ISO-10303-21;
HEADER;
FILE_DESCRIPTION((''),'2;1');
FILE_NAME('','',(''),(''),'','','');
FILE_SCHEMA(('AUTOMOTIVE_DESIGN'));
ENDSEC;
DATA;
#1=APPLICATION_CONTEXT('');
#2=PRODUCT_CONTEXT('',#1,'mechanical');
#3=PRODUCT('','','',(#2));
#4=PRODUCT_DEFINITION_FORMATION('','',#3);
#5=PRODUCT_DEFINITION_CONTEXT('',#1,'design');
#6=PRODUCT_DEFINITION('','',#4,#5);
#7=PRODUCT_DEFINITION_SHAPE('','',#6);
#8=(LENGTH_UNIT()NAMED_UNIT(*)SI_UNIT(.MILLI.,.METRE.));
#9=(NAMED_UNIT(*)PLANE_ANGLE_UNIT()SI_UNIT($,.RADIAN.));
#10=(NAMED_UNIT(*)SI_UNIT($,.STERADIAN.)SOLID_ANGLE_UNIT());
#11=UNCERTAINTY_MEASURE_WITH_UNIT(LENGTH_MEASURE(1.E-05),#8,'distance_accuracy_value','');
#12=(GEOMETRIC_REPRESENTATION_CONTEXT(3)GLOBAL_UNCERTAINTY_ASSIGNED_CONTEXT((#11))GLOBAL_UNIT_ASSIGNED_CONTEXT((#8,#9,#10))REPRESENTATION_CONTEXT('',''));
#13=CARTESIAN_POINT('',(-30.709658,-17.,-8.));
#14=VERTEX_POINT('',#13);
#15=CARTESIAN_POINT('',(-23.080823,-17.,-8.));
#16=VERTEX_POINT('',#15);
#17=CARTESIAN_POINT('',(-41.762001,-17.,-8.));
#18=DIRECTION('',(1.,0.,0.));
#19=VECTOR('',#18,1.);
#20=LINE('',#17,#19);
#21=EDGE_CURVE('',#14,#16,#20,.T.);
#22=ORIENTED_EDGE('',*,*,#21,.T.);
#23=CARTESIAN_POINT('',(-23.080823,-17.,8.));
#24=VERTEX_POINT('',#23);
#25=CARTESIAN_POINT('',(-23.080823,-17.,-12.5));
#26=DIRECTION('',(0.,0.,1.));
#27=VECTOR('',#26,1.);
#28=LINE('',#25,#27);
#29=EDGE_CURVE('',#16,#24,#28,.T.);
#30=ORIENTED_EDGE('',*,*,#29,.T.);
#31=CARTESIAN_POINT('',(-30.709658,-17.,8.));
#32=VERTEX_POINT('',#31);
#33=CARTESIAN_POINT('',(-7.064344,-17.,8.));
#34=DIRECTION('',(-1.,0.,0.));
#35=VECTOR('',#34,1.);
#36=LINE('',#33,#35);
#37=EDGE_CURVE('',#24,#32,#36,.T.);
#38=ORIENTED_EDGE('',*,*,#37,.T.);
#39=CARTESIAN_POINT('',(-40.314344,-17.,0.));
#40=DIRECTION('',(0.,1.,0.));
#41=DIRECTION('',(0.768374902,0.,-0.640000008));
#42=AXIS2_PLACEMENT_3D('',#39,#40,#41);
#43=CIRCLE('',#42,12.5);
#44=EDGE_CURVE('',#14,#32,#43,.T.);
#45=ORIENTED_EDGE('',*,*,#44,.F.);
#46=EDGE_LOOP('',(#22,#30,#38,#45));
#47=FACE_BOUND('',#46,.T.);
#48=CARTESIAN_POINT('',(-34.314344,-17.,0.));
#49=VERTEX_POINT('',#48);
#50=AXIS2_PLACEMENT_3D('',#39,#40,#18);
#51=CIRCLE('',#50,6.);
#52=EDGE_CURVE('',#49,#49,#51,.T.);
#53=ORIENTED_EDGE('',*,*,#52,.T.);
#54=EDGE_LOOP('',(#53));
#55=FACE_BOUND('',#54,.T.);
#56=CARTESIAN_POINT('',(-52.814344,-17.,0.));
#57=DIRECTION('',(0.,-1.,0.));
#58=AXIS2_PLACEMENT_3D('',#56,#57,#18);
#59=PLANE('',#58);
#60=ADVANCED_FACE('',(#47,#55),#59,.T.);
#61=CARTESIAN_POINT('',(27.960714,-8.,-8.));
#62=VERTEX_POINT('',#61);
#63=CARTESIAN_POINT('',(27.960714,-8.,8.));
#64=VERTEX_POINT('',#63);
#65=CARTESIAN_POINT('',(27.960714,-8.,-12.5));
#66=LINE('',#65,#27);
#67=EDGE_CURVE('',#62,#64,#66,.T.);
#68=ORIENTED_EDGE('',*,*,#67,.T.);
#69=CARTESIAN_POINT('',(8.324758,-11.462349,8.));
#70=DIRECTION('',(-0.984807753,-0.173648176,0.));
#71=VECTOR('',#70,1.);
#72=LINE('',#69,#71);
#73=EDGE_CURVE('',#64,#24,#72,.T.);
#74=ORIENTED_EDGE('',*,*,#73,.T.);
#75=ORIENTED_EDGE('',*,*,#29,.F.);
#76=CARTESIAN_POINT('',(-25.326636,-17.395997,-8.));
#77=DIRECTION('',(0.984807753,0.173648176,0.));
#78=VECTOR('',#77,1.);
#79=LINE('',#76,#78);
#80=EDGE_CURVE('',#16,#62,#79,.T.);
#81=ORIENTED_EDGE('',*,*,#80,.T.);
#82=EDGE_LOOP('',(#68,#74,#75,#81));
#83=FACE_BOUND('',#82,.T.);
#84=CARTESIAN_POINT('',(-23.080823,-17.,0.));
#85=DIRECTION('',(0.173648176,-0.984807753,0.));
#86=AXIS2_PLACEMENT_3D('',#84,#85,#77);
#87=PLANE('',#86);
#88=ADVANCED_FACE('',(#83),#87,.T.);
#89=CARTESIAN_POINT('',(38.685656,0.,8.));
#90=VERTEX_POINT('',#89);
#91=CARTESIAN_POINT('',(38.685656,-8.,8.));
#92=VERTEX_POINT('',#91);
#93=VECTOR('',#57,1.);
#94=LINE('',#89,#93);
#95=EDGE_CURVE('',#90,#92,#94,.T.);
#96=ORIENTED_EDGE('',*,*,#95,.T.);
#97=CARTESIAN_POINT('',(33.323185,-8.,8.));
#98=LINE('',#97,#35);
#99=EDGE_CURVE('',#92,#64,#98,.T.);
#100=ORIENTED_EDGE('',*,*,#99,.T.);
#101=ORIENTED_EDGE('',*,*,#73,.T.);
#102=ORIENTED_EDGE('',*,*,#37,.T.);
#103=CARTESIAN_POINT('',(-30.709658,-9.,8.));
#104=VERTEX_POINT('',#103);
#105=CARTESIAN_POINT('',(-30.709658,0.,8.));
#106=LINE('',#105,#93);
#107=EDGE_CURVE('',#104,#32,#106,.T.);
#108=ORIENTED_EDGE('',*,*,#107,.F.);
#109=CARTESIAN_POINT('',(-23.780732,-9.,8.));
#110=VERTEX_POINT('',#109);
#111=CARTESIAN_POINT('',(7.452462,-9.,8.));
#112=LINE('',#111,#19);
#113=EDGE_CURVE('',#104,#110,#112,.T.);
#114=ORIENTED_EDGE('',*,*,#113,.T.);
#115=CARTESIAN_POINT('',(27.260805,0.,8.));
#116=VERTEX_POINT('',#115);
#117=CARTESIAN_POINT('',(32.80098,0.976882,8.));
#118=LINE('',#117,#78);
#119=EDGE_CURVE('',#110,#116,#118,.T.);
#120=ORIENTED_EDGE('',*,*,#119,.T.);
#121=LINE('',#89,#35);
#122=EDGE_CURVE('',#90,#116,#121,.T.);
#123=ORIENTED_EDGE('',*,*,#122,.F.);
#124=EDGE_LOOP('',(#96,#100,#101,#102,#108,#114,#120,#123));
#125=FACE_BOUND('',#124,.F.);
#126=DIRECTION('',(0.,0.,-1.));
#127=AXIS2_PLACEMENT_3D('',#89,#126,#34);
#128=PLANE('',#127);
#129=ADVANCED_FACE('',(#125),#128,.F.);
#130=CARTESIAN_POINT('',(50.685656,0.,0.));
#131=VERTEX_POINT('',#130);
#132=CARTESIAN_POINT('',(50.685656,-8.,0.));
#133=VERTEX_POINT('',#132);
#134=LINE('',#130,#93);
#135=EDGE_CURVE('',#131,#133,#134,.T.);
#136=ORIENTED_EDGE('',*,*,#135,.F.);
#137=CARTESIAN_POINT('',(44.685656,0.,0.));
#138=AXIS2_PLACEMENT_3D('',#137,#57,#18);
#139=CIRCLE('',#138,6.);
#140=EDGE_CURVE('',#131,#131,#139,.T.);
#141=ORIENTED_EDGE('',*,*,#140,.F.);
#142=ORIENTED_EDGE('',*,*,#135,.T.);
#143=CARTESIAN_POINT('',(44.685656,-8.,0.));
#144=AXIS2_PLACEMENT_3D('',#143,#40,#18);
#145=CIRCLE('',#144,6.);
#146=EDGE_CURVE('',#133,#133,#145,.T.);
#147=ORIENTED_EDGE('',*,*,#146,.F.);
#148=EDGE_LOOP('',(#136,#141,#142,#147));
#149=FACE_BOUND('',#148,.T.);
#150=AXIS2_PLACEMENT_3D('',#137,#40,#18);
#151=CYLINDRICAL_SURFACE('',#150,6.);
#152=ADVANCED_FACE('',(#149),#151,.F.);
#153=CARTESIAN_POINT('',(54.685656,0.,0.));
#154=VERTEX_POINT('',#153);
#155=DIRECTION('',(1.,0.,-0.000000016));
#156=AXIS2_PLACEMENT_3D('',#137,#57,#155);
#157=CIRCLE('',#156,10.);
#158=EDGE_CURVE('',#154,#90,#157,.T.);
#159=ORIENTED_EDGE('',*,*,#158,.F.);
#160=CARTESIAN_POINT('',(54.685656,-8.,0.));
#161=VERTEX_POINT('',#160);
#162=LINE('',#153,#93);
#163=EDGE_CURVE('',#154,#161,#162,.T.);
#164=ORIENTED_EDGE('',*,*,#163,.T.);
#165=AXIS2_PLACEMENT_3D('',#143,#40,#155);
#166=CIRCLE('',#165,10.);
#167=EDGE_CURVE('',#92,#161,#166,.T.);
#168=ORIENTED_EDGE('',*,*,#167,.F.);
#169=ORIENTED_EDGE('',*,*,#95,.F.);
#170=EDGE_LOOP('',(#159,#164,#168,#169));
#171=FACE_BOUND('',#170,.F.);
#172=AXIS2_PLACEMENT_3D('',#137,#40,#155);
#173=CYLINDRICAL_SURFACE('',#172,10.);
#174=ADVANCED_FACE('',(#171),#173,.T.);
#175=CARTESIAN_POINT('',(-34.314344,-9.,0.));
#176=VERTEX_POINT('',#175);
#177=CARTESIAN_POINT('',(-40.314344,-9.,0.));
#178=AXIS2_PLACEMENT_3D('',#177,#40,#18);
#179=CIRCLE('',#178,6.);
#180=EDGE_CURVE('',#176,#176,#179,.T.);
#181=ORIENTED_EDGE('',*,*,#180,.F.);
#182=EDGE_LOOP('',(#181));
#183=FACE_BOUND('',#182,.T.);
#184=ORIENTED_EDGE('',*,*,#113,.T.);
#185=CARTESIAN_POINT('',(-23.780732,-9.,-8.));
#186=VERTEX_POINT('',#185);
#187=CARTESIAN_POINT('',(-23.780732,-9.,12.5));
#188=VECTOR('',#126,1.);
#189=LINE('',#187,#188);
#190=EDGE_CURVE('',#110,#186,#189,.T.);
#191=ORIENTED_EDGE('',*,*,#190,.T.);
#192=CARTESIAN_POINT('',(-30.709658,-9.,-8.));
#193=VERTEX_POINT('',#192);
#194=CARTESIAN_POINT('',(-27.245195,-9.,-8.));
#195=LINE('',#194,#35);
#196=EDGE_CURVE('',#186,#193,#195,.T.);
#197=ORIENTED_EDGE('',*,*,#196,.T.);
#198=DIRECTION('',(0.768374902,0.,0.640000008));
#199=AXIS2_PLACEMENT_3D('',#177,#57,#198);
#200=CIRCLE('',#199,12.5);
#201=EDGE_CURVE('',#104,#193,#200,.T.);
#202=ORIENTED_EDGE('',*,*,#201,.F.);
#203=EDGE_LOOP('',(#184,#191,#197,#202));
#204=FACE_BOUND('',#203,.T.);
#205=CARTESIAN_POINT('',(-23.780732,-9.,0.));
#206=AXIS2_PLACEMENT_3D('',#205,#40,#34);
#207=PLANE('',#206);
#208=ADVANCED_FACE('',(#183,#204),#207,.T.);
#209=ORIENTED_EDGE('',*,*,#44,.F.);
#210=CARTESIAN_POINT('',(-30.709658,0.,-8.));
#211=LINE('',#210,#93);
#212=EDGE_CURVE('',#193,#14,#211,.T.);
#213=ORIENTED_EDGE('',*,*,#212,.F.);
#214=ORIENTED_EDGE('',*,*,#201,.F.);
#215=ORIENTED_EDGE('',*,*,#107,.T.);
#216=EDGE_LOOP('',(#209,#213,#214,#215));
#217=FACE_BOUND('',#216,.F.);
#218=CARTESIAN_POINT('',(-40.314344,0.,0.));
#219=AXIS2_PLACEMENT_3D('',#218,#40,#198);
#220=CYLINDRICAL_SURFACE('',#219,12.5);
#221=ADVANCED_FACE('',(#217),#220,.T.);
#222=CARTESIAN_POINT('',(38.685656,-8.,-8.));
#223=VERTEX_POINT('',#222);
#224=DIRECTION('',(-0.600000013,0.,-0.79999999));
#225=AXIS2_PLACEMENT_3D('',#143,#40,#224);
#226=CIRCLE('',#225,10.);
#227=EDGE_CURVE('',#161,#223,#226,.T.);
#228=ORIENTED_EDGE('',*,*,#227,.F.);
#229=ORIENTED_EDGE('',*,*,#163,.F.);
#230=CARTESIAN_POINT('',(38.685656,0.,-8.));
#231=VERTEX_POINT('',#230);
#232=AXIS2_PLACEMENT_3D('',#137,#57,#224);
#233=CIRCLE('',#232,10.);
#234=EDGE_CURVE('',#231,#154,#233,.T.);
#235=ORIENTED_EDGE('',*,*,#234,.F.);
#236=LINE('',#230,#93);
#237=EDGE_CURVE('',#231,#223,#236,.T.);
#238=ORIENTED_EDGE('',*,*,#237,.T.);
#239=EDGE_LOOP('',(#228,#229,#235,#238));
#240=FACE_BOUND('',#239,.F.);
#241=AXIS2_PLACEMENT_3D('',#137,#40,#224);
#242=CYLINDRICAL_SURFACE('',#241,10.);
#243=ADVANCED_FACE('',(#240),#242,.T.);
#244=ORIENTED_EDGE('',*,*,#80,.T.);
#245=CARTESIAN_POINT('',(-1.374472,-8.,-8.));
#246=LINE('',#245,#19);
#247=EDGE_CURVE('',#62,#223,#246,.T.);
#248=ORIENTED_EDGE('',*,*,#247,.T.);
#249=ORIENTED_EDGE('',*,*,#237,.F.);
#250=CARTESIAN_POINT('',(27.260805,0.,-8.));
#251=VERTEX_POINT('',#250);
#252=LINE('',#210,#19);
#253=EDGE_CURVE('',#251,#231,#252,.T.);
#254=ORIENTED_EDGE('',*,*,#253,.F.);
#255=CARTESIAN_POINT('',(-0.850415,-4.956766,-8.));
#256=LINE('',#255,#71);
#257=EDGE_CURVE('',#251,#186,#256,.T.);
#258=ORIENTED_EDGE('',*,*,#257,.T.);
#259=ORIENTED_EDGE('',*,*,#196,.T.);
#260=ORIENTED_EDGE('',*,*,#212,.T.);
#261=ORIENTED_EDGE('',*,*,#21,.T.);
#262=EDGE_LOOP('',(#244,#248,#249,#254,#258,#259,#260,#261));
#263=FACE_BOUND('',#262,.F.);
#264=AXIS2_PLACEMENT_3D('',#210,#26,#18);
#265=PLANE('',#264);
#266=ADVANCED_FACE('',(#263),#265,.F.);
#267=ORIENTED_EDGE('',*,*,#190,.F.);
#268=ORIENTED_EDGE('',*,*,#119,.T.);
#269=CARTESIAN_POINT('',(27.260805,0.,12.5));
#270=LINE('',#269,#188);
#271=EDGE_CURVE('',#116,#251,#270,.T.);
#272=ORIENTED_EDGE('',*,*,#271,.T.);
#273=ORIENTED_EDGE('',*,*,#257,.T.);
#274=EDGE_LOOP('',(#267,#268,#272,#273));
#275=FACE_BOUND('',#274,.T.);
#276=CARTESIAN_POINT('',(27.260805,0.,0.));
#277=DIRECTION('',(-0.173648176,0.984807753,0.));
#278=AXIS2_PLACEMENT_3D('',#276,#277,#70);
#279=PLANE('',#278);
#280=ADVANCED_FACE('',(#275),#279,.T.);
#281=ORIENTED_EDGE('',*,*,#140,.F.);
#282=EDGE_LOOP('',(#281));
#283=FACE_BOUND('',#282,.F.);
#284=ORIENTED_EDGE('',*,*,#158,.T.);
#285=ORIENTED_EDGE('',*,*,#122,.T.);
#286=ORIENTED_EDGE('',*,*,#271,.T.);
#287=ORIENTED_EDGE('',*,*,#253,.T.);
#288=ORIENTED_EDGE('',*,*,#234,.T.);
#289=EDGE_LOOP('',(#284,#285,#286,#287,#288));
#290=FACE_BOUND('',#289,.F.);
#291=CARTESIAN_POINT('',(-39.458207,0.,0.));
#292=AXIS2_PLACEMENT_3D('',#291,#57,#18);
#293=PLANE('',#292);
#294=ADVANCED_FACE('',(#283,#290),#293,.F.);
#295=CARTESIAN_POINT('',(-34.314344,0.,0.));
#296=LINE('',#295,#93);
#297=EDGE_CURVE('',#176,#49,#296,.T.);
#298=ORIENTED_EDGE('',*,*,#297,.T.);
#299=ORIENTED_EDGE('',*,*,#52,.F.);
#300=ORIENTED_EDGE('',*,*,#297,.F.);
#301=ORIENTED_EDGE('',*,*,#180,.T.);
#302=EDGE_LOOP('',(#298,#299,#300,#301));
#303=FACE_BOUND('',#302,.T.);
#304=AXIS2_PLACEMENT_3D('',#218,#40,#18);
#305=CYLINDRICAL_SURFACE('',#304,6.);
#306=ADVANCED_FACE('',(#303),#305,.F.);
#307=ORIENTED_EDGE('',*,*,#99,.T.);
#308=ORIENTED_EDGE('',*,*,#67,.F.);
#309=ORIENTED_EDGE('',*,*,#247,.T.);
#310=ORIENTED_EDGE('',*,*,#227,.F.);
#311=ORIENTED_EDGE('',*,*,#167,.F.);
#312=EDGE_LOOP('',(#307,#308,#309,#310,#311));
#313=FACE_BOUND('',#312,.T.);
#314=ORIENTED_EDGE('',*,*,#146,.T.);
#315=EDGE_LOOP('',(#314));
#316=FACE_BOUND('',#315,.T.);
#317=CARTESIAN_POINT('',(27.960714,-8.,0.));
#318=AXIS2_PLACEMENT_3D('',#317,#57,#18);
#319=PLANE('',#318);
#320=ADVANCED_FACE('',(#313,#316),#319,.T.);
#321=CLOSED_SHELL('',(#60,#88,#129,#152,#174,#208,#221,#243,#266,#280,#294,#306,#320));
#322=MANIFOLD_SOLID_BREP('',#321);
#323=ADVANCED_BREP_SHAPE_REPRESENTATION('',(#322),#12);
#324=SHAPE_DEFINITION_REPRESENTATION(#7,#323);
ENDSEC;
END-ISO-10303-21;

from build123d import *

# Parameters (mm, degrees)
F0_R     = 6
F1_DEPTH = 25
F3_DEPTH = 12.5


with BuildPart() as f1:
    # F0 (on Front) → F1 (new body)
    with BuildSketch(Plane.XZ):
        with BuildLine():
            ThreePointArc((-30.709658, -8), (-28.560439, -4.253905), (-27.814344, 0))
            ThreePointArc((-27.814344, 0), (-28.560439, 4.253905), (-30.709658, 8))
            ThreePointArc((-30.709658, 8), (-52.814344, 0), (-30.709658, -8))
        make_face()
        with Locations((-40.314344, 0)):
            Circle(F0_R, mode=Mode.SUBTRACT)
        with BuildLine():
            ThreePointArc((-30.709658, 8), (-28.560439, 4.253905), (-27.814344, 0))
            ThreePointArc((-27.814344, 0), (-28.560439, -4.253905), (-30.709658, -8))
            Line((-30.709658, -8), (38.685656, -8))
            ThreePointArc((38.685656, -8), (34.685656, 0), (38.685656, 8))
            Line((38.685656, 8), (-30.709658, 8))
        make_face()
        with BuildLine():
            ThreePointArc((54.685656, 0), (49.157792, 8.944272), (38.685656, 8))
            ThreePointArc((38.685656, 8), (34.685656, 0), (38.685656, -8))
            ThreePointArc((38.685656, -8), (49.157792, -8.944272), (54.685656, 0))
        make_face()
        with Locations((44.685656, 0)):
            Circle(F0_R, mode=Mode.SUBTRACT)
    extrude(amount=F1_DEPTH)

    # F2 (on Top) → F3 (intersect, symmetric)
    with BuildSketch(Plane.XY):
        Polygon((-23.780732, -9), (-52.814344, -9), (-52.814344, -17), (-23.080823, -17), (27.960714, -8), (54.685656, -8), (54.685656, 0), (27.260805, 0), align=None)
    extrude(amount=F3_DEPTH, both=True, mode=Mode.INTERSECT)


solid = f1.part
